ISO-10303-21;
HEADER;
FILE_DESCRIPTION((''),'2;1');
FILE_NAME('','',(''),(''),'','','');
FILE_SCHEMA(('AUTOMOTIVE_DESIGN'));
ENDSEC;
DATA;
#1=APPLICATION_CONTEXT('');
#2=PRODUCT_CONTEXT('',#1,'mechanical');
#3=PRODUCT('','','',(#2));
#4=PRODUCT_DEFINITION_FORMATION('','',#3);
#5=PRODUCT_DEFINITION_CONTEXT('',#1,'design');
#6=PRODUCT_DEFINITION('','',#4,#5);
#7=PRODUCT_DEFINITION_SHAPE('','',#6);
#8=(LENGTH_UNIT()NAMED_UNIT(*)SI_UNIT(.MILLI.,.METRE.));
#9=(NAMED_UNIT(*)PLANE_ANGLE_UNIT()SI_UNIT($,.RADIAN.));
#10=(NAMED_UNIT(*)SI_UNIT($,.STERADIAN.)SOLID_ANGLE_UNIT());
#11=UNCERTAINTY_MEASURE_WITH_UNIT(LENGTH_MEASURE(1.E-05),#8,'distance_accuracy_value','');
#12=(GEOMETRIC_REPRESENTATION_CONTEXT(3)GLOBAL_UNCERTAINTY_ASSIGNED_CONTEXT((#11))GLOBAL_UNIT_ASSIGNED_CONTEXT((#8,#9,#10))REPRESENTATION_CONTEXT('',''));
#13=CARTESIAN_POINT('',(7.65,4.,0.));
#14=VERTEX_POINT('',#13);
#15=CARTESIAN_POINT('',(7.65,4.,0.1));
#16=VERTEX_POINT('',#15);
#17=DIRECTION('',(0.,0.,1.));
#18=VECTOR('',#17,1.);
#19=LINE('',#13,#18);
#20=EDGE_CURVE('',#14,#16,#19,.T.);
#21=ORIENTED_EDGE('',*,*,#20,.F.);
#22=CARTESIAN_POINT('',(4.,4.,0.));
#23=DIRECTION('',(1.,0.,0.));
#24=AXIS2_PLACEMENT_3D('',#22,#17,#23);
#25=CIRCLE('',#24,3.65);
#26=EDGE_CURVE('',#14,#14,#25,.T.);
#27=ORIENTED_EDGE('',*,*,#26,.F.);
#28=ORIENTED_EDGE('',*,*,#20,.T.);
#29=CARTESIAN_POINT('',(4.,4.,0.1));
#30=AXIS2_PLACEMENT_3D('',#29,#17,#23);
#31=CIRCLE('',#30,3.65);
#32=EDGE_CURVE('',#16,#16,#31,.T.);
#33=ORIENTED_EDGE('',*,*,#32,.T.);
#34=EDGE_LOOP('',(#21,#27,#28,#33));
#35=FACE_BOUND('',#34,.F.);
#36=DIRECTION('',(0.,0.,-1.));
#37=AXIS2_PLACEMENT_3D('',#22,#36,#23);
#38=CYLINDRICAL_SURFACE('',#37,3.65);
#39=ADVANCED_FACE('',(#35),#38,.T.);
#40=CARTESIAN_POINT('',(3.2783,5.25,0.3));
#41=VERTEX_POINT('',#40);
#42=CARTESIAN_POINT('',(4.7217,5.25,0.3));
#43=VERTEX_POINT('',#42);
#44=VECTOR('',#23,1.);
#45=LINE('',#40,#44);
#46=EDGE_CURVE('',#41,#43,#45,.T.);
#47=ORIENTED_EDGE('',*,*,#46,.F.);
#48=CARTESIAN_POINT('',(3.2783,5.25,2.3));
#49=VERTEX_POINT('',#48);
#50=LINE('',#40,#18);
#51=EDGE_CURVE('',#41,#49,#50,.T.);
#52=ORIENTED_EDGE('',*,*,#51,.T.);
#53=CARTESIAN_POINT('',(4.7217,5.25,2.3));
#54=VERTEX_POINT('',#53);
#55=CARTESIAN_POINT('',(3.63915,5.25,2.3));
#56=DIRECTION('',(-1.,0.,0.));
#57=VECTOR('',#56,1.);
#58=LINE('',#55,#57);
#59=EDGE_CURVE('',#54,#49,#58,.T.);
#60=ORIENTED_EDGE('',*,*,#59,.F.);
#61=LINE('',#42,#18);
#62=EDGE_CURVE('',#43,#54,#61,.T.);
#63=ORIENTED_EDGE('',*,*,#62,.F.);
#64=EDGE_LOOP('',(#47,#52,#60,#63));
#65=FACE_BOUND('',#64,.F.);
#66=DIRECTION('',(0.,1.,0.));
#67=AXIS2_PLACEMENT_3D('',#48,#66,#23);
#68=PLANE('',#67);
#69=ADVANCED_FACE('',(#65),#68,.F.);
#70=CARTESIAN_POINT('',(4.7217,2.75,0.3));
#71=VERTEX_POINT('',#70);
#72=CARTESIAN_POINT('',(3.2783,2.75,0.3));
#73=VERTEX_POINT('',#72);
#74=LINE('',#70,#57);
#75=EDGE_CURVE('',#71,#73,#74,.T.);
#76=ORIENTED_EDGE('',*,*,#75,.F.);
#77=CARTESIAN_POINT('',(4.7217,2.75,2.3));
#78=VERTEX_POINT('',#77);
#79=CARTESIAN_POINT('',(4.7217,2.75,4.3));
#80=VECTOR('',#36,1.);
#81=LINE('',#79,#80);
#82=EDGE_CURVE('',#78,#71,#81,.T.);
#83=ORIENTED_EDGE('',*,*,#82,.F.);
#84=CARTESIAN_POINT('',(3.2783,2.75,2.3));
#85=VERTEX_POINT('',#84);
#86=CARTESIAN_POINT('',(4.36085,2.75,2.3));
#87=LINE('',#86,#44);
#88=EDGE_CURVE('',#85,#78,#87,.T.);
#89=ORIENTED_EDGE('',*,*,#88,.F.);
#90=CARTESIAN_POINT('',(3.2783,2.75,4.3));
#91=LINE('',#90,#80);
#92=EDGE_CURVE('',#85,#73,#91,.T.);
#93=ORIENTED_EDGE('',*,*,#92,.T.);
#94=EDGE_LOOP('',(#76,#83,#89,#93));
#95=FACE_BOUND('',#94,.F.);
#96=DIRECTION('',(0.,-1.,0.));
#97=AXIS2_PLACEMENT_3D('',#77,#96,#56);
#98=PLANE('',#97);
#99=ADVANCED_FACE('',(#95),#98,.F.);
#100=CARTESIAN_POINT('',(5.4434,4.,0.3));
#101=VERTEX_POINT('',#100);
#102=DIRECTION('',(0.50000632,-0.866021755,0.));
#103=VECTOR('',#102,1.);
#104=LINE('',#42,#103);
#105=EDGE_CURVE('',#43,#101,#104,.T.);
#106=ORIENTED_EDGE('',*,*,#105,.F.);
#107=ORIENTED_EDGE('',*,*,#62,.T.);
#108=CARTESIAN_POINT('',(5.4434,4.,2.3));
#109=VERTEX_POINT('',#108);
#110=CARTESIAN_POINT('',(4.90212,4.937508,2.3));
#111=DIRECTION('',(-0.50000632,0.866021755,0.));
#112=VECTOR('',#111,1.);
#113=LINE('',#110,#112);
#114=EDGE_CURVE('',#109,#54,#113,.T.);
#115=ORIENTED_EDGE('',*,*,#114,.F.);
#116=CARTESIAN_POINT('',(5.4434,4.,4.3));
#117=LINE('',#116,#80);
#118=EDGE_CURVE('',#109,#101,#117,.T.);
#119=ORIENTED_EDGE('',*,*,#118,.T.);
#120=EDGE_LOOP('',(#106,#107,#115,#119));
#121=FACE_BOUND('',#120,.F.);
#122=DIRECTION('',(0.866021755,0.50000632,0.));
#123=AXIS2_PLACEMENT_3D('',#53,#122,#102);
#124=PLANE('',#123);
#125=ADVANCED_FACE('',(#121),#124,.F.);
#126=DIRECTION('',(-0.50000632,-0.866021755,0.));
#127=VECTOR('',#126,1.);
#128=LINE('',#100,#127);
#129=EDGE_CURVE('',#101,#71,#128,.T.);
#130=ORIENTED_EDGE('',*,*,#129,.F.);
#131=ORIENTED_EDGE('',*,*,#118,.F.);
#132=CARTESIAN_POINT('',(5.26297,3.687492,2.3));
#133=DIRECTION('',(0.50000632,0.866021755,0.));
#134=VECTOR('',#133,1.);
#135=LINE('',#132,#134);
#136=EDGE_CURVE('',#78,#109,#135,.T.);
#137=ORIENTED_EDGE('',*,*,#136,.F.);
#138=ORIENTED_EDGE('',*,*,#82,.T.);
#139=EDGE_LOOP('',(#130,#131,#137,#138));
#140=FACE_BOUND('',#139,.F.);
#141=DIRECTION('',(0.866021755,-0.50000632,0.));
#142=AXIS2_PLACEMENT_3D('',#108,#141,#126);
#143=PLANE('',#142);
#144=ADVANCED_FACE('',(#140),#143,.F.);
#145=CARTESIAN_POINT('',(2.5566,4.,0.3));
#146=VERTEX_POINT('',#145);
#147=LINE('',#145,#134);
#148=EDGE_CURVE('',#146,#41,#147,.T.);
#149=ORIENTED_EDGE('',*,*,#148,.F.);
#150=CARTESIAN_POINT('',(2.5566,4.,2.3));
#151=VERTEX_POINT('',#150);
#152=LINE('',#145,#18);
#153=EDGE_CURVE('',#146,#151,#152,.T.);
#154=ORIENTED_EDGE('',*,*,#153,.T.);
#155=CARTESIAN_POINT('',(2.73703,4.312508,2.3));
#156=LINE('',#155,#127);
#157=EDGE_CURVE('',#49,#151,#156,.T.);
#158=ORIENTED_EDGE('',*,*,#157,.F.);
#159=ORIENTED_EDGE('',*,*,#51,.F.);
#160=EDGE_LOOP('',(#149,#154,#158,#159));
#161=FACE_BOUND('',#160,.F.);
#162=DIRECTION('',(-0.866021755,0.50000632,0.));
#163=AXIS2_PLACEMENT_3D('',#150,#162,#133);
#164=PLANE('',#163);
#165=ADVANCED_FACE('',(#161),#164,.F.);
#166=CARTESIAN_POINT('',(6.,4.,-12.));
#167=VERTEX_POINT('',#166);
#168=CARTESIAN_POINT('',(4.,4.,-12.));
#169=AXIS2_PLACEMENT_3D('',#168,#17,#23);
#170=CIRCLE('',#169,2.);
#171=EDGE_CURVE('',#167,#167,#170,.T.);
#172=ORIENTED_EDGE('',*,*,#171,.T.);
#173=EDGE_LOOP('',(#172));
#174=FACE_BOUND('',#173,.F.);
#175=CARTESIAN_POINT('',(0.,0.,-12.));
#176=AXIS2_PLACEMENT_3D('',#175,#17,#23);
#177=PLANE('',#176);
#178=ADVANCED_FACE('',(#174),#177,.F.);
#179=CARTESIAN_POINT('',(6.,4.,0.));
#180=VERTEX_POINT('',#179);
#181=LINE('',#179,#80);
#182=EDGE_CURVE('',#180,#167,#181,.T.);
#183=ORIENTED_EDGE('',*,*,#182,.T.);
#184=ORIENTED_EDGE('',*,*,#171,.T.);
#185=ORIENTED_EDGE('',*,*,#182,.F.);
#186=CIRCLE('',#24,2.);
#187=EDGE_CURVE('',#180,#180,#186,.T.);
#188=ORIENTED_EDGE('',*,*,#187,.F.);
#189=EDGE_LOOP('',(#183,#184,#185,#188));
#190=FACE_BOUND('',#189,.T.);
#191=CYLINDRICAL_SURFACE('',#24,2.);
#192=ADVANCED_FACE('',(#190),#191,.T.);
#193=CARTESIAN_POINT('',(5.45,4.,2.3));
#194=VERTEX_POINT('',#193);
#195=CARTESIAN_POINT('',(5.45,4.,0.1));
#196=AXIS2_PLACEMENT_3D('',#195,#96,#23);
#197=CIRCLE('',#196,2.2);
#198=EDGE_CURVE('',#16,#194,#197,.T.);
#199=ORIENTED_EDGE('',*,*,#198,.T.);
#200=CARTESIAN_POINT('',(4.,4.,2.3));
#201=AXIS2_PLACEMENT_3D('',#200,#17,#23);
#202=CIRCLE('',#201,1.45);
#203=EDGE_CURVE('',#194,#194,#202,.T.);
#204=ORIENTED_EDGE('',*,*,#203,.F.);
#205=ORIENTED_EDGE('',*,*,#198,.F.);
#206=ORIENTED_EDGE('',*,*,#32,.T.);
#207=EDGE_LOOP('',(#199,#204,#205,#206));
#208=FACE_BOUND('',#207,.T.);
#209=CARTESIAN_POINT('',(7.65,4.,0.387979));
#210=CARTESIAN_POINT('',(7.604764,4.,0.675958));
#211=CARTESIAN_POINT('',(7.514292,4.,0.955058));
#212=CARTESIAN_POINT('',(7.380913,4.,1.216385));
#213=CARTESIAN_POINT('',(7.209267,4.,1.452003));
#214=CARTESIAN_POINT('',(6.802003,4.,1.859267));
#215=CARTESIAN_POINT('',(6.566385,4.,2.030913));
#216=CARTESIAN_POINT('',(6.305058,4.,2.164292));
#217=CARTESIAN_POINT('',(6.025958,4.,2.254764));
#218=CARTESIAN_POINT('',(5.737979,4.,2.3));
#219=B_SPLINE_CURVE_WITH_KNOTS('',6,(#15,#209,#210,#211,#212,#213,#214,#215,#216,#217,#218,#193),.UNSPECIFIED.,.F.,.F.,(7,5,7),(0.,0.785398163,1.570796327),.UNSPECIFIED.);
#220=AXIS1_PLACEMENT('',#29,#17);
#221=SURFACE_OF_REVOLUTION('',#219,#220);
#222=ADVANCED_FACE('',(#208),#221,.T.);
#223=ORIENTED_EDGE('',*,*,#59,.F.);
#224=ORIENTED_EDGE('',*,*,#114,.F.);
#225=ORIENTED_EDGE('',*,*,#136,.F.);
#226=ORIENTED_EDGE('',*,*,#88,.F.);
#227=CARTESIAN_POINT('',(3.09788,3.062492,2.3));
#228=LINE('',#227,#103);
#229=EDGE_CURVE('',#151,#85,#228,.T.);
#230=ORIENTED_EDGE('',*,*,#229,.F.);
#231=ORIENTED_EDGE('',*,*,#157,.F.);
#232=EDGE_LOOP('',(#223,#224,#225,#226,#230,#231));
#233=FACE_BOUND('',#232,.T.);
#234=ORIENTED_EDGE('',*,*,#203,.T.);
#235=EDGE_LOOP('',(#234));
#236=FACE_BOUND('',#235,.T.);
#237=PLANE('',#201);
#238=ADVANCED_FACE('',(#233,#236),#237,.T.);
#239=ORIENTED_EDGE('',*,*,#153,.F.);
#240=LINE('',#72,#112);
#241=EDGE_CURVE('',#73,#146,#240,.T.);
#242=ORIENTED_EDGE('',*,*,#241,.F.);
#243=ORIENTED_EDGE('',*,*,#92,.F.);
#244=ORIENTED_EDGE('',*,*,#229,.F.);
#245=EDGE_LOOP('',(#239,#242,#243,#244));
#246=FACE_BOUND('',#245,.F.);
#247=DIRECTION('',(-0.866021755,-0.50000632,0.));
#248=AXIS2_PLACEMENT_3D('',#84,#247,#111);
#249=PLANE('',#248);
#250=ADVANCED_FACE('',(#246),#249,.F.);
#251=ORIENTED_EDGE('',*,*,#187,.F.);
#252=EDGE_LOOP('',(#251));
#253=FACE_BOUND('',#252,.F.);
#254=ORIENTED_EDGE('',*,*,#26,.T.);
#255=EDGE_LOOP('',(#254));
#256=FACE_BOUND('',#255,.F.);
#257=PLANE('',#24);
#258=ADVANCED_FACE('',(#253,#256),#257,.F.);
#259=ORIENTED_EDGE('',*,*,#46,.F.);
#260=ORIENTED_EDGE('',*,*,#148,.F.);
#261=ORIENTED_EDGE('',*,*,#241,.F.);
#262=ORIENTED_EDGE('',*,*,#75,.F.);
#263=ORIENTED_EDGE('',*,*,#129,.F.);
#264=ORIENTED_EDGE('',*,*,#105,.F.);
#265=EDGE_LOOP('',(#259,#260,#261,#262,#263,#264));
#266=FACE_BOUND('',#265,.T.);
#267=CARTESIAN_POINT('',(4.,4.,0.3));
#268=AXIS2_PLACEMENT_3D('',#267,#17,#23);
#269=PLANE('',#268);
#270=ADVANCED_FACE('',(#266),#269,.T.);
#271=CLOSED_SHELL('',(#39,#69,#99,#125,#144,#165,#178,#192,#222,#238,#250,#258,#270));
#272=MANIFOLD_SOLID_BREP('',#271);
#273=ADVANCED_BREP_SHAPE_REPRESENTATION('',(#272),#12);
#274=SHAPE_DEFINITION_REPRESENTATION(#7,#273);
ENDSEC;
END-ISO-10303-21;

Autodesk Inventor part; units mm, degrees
ref_plane "YZ Plane" through (0, 0, 0) normal (1, 0, 0) x (0, 1, 0)
ref_plane "XZ Plane" through (0, 0, 0) normal (0, 1, 0) x (-1, 0, 0)
ref_plane "XY Plane" through (0, 0, 0) normal (0, 0, 1) x (1, 0, 0)
sketch "Sketch1" plane through (0, 0, 0) normal (0, 0, 1) x (1, 0, 0)
  circle A0 centre (4, 4) radius 1.2 projected
  circle A1 centre (4, 4) radius 2
  point P0 (0, 0)
  dimension "d0" = 4
extrude "Extrusion1" add sketch "Sketch1" against normal blind 12 contours A0 | A1
sketch "Sketch2" plane through (4, 4, 0) normal (0, 0, 1) x (1, 0, 0)
  circle A0 centre (0, 0) radius 2 projected
  circle A1 centre (0, 0) radius 3.65
  point P0 (-4, -4)
  dimension "d3" = 7.3
extrude "Extrusion2" add sketch "Sketch2" along normal blind 2.3 contours A0 | A1
fillet "Fillet1" radius 2.2 1 edges at (0.35, 4, 2.3)
sketch "Sketch4" plane through (4, 4, 2.3) normal (0, 0, 1) x (1, 0, 0)
  circle A0 centre (0, 0) radius 1.45 projected
  line L0 (0.7217, 1.25) -> (1.4434, 0)
  line L1 (1.4434, 0) -> (0.7217, -1.25)
  line L2 (0.7217, -1.25) -> (-0.7217, -1.25)
  line L3 (-0.7217, -1.25) -> (-1.4434, 0)
  line L4 (-1.4434, 0) -> (-0.7217, 1.25)
  line L5 (-0.7217, 1.25) -> (0.7217, 1.25)
  point P0 (-4, -4)
  dimension "d10" = 2.5
extrude "Extrusion4" cut sketch "Sketch4" along normal mid plane 4 contours L0 L1 L2 L3 L4 L5
thread "Thread1" size "M3x0.5" class "6g" standard "ANSI Metric M Profile" full length
properties part number "m3 6" material "Steel"
